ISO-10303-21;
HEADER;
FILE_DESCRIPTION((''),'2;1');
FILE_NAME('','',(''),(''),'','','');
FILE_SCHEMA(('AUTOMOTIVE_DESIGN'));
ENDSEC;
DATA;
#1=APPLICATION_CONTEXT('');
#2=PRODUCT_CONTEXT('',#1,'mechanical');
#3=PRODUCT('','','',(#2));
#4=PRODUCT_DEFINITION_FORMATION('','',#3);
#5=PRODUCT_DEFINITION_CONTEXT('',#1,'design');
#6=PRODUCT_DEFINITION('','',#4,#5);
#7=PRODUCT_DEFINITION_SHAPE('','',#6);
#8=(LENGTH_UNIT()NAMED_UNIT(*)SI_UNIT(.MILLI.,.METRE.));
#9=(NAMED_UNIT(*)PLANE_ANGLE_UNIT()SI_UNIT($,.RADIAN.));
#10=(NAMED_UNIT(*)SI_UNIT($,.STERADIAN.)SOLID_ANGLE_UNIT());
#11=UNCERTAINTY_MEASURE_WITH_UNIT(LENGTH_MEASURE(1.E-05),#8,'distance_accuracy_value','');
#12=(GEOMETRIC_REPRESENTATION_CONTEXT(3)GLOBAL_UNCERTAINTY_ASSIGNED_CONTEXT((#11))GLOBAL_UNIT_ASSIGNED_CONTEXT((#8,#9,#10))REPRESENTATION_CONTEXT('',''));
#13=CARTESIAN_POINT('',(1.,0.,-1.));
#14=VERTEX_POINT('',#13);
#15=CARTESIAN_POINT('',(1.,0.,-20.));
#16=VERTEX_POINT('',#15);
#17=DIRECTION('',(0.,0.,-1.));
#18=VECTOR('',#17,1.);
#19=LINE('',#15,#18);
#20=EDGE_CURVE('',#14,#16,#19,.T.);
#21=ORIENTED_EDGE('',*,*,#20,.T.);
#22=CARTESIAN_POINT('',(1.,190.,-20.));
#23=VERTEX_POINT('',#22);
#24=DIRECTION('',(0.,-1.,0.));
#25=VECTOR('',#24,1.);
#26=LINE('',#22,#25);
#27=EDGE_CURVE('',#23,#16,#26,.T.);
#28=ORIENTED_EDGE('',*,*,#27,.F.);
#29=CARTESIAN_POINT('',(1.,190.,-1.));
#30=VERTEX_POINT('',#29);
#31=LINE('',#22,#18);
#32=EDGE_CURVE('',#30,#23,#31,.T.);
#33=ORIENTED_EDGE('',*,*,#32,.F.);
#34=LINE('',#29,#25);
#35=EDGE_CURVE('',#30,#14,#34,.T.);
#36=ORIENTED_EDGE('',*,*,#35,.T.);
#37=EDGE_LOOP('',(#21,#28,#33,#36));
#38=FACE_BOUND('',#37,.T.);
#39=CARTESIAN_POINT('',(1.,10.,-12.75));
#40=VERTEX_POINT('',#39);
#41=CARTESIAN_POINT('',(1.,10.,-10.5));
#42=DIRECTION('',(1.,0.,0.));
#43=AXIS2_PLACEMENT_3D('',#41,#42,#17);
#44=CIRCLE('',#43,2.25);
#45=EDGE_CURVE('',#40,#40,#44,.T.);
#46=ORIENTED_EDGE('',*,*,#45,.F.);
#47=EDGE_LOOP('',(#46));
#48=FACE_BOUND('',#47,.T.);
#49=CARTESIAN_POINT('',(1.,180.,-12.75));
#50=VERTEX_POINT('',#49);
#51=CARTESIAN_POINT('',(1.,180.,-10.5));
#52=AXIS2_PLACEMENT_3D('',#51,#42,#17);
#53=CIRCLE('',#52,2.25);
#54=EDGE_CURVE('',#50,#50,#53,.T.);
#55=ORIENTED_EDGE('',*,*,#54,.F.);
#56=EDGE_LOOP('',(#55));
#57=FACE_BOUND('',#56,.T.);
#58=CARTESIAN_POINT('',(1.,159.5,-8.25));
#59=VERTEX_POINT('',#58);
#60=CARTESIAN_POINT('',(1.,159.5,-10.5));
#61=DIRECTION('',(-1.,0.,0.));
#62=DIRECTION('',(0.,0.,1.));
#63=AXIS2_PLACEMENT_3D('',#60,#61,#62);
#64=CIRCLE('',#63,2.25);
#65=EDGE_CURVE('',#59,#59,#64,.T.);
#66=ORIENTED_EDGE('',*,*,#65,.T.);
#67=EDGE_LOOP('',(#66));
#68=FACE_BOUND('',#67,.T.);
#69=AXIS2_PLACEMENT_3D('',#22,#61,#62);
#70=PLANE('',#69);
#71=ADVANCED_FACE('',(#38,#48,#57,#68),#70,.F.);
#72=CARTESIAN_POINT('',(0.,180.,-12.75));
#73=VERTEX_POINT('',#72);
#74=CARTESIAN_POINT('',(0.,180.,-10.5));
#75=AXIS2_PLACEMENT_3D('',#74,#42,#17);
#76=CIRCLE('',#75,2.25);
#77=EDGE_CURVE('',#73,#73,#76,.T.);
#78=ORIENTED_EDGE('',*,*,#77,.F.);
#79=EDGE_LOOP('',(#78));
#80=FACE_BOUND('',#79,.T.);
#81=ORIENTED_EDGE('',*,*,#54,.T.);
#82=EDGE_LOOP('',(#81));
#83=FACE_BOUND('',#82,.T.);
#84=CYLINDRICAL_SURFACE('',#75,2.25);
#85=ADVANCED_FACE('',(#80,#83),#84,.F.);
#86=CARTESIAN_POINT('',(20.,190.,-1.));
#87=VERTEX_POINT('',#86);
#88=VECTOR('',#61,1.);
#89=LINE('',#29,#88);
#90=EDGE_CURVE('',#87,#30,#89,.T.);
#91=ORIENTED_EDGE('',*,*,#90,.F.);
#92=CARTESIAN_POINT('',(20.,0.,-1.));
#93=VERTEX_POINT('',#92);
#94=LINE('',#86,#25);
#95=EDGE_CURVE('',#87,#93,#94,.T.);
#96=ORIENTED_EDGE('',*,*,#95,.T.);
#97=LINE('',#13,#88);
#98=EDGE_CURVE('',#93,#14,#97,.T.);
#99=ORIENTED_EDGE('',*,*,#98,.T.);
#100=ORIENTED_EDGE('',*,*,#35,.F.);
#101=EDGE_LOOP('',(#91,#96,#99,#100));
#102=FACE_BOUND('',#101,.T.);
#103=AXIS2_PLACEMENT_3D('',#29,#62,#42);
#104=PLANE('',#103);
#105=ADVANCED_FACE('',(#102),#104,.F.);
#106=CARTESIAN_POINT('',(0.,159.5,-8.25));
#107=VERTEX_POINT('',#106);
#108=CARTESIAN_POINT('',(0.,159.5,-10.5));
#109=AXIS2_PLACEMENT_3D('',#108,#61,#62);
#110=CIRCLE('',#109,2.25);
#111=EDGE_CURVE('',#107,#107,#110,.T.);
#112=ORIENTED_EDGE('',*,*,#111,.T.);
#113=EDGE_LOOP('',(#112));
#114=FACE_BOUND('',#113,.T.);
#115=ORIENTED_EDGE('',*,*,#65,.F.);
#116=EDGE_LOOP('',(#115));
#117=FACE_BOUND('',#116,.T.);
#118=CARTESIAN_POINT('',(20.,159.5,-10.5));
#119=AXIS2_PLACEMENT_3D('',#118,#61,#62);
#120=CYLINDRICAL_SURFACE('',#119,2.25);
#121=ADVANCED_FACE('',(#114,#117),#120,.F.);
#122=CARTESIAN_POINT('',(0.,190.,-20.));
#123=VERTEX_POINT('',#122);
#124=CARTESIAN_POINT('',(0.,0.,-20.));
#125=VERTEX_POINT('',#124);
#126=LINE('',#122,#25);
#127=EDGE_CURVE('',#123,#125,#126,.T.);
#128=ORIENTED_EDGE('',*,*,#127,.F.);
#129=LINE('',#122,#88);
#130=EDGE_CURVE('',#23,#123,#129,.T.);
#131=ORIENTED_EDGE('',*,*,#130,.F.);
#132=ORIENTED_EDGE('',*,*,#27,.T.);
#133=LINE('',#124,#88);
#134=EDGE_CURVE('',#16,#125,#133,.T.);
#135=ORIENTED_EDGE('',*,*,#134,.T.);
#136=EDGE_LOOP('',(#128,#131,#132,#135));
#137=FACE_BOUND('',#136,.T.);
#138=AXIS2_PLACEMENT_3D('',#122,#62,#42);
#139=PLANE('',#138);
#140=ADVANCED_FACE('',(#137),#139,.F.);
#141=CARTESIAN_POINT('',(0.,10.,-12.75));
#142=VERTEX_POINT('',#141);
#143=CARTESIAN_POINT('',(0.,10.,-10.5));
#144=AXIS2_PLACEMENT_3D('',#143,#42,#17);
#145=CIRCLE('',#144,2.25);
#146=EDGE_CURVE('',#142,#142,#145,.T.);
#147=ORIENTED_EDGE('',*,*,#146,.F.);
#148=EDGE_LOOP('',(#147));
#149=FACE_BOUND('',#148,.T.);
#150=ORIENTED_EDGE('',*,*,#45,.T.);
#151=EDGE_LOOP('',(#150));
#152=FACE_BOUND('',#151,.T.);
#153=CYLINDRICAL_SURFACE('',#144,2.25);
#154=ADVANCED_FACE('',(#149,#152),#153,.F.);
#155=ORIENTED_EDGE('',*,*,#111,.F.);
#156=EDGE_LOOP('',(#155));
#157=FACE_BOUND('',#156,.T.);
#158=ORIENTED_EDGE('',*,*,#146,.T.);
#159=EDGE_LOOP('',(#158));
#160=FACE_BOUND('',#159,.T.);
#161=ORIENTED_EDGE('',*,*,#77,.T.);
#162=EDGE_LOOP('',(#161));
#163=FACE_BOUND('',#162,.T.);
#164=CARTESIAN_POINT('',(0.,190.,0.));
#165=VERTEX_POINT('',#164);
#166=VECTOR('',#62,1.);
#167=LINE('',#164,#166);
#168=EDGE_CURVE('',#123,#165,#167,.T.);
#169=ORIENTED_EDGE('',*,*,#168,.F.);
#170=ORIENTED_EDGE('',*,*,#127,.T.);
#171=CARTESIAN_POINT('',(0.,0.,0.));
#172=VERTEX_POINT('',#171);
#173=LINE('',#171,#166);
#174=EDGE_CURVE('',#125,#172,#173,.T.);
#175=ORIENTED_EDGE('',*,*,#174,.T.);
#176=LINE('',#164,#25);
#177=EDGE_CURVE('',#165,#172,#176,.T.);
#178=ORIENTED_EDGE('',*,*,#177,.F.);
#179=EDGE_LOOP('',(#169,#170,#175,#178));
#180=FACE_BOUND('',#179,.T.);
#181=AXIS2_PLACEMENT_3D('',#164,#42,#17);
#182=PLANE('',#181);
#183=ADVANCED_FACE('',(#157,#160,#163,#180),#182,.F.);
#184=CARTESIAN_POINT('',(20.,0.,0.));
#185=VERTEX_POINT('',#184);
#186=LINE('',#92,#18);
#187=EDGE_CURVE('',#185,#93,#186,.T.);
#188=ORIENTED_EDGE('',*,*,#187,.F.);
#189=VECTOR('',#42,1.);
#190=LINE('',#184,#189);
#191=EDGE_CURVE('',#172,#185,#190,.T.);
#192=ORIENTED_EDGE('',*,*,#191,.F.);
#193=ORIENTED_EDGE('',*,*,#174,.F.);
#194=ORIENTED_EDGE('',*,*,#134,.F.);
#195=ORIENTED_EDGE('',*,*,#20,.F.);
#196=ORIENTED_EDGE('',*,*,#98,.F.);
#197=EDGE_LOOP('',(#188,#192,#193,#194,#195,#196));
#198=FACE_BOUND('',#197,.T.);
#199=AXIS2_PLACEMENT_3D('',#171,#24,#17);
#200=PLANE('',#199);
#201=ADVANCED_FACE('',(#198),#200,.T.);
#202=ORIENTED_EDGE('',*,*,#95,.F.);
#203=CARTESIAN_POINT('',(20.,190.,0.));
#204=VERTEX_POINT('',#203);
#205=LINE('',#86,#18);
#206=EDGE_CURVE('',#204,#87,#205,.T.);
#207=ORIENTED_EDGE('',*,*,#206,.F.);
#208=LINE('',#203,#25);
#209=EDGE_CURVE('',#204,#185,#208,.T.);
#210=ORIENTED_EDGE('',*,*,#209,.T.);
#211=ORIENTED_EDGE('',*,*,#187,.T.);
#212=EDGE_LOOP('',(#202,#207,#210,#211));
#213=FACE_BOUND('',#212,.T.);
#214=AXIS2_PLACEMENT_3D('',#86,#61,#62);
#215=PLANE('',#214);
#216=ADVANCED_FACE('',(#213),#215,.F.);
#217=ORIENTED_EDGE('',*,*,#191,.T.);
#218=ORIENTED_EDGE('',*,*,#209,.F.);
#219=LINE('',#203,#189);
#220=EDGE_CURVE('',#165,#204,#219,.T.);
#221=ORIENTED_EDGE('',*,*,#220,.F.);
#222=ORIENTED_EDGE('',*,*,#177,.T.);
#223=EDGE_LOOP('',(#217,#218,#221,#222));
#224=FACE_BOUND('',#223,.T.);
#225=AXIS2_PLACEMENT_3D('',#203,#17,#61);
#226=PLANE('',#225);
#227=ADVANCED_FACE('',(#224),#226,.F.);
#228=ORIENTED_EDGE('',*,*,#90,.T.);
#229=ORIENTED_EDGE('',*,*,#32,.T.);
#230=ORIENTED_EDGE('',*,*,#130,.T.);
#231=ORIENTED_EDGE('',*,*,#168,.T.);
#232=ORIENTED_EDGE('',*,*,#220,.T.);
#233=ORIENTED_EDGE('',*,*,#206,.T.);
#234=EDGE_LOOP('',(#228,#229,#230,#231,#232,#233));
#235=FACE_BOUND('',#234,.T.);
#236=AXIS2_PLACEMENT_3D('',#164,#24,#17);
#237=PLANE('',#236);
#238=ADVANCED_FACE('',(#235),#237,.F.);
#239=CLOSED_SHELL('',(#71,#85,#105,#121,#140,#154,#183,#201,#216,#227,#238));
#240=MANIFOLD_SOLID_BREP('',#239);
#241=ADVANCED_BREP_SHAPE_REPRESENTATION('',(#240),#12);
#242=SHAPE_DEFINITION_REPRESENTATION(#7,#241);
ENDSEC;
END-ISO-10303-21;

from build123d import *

# Parameters (mm, degrees)
EXTRUDE_1_DEPTH     = 190
SKETCH_2_R          = 2.25
CUT_EXTRUDE_1_DEPTH = 2
SKETCH_3_R          = 2.25
CUT_EXTRUDE_2_DEPTH = 21


with BuildPart() as part:
    # Эскиз1 → Бобышка-Вытянуть1 (new body)
    with BuildSketch(Plane(origin=(0, 0, 0), x_dir=(1, 0, 0), z_dir=(0, 1, 0))):
        Polygon((0, 0), (0, 20), (1, 20), (1, 1), (20, 1), (20, 0), align=None)
    extrude(amount=EXTRUDE_1_DEPTH)

    # Эскиз2 → Вырез-Вытянуть1 (cut, through all)
    with BuildSketch(Plane(origin=(1, 0, 0), x_dir=(0, 0, -1), z_dir=(1, 0, 0))):
        with Locations((10.5, 10)):
            Circle(SKETCH_2_R)
        with Locations((10.5, 180)):
            Circle(SKETCH_2_R)
    extrude(amount=-CUT_EXTRUDE_1_DEPTH, mode=Mode.SUBTRACT)

    # Эскиз3 → Вырез-Вытянуть2 (cut, through all)
    with BuildSketch(Plane.ZY):
        with Locations((-10.5, 159.5)):
            Circle(SKETCH_3_R)
    extrude(amount=-CUT_EXTRUDE_2_DEPTH, mode=Mode.SUBTRACT)


solid = part.part
